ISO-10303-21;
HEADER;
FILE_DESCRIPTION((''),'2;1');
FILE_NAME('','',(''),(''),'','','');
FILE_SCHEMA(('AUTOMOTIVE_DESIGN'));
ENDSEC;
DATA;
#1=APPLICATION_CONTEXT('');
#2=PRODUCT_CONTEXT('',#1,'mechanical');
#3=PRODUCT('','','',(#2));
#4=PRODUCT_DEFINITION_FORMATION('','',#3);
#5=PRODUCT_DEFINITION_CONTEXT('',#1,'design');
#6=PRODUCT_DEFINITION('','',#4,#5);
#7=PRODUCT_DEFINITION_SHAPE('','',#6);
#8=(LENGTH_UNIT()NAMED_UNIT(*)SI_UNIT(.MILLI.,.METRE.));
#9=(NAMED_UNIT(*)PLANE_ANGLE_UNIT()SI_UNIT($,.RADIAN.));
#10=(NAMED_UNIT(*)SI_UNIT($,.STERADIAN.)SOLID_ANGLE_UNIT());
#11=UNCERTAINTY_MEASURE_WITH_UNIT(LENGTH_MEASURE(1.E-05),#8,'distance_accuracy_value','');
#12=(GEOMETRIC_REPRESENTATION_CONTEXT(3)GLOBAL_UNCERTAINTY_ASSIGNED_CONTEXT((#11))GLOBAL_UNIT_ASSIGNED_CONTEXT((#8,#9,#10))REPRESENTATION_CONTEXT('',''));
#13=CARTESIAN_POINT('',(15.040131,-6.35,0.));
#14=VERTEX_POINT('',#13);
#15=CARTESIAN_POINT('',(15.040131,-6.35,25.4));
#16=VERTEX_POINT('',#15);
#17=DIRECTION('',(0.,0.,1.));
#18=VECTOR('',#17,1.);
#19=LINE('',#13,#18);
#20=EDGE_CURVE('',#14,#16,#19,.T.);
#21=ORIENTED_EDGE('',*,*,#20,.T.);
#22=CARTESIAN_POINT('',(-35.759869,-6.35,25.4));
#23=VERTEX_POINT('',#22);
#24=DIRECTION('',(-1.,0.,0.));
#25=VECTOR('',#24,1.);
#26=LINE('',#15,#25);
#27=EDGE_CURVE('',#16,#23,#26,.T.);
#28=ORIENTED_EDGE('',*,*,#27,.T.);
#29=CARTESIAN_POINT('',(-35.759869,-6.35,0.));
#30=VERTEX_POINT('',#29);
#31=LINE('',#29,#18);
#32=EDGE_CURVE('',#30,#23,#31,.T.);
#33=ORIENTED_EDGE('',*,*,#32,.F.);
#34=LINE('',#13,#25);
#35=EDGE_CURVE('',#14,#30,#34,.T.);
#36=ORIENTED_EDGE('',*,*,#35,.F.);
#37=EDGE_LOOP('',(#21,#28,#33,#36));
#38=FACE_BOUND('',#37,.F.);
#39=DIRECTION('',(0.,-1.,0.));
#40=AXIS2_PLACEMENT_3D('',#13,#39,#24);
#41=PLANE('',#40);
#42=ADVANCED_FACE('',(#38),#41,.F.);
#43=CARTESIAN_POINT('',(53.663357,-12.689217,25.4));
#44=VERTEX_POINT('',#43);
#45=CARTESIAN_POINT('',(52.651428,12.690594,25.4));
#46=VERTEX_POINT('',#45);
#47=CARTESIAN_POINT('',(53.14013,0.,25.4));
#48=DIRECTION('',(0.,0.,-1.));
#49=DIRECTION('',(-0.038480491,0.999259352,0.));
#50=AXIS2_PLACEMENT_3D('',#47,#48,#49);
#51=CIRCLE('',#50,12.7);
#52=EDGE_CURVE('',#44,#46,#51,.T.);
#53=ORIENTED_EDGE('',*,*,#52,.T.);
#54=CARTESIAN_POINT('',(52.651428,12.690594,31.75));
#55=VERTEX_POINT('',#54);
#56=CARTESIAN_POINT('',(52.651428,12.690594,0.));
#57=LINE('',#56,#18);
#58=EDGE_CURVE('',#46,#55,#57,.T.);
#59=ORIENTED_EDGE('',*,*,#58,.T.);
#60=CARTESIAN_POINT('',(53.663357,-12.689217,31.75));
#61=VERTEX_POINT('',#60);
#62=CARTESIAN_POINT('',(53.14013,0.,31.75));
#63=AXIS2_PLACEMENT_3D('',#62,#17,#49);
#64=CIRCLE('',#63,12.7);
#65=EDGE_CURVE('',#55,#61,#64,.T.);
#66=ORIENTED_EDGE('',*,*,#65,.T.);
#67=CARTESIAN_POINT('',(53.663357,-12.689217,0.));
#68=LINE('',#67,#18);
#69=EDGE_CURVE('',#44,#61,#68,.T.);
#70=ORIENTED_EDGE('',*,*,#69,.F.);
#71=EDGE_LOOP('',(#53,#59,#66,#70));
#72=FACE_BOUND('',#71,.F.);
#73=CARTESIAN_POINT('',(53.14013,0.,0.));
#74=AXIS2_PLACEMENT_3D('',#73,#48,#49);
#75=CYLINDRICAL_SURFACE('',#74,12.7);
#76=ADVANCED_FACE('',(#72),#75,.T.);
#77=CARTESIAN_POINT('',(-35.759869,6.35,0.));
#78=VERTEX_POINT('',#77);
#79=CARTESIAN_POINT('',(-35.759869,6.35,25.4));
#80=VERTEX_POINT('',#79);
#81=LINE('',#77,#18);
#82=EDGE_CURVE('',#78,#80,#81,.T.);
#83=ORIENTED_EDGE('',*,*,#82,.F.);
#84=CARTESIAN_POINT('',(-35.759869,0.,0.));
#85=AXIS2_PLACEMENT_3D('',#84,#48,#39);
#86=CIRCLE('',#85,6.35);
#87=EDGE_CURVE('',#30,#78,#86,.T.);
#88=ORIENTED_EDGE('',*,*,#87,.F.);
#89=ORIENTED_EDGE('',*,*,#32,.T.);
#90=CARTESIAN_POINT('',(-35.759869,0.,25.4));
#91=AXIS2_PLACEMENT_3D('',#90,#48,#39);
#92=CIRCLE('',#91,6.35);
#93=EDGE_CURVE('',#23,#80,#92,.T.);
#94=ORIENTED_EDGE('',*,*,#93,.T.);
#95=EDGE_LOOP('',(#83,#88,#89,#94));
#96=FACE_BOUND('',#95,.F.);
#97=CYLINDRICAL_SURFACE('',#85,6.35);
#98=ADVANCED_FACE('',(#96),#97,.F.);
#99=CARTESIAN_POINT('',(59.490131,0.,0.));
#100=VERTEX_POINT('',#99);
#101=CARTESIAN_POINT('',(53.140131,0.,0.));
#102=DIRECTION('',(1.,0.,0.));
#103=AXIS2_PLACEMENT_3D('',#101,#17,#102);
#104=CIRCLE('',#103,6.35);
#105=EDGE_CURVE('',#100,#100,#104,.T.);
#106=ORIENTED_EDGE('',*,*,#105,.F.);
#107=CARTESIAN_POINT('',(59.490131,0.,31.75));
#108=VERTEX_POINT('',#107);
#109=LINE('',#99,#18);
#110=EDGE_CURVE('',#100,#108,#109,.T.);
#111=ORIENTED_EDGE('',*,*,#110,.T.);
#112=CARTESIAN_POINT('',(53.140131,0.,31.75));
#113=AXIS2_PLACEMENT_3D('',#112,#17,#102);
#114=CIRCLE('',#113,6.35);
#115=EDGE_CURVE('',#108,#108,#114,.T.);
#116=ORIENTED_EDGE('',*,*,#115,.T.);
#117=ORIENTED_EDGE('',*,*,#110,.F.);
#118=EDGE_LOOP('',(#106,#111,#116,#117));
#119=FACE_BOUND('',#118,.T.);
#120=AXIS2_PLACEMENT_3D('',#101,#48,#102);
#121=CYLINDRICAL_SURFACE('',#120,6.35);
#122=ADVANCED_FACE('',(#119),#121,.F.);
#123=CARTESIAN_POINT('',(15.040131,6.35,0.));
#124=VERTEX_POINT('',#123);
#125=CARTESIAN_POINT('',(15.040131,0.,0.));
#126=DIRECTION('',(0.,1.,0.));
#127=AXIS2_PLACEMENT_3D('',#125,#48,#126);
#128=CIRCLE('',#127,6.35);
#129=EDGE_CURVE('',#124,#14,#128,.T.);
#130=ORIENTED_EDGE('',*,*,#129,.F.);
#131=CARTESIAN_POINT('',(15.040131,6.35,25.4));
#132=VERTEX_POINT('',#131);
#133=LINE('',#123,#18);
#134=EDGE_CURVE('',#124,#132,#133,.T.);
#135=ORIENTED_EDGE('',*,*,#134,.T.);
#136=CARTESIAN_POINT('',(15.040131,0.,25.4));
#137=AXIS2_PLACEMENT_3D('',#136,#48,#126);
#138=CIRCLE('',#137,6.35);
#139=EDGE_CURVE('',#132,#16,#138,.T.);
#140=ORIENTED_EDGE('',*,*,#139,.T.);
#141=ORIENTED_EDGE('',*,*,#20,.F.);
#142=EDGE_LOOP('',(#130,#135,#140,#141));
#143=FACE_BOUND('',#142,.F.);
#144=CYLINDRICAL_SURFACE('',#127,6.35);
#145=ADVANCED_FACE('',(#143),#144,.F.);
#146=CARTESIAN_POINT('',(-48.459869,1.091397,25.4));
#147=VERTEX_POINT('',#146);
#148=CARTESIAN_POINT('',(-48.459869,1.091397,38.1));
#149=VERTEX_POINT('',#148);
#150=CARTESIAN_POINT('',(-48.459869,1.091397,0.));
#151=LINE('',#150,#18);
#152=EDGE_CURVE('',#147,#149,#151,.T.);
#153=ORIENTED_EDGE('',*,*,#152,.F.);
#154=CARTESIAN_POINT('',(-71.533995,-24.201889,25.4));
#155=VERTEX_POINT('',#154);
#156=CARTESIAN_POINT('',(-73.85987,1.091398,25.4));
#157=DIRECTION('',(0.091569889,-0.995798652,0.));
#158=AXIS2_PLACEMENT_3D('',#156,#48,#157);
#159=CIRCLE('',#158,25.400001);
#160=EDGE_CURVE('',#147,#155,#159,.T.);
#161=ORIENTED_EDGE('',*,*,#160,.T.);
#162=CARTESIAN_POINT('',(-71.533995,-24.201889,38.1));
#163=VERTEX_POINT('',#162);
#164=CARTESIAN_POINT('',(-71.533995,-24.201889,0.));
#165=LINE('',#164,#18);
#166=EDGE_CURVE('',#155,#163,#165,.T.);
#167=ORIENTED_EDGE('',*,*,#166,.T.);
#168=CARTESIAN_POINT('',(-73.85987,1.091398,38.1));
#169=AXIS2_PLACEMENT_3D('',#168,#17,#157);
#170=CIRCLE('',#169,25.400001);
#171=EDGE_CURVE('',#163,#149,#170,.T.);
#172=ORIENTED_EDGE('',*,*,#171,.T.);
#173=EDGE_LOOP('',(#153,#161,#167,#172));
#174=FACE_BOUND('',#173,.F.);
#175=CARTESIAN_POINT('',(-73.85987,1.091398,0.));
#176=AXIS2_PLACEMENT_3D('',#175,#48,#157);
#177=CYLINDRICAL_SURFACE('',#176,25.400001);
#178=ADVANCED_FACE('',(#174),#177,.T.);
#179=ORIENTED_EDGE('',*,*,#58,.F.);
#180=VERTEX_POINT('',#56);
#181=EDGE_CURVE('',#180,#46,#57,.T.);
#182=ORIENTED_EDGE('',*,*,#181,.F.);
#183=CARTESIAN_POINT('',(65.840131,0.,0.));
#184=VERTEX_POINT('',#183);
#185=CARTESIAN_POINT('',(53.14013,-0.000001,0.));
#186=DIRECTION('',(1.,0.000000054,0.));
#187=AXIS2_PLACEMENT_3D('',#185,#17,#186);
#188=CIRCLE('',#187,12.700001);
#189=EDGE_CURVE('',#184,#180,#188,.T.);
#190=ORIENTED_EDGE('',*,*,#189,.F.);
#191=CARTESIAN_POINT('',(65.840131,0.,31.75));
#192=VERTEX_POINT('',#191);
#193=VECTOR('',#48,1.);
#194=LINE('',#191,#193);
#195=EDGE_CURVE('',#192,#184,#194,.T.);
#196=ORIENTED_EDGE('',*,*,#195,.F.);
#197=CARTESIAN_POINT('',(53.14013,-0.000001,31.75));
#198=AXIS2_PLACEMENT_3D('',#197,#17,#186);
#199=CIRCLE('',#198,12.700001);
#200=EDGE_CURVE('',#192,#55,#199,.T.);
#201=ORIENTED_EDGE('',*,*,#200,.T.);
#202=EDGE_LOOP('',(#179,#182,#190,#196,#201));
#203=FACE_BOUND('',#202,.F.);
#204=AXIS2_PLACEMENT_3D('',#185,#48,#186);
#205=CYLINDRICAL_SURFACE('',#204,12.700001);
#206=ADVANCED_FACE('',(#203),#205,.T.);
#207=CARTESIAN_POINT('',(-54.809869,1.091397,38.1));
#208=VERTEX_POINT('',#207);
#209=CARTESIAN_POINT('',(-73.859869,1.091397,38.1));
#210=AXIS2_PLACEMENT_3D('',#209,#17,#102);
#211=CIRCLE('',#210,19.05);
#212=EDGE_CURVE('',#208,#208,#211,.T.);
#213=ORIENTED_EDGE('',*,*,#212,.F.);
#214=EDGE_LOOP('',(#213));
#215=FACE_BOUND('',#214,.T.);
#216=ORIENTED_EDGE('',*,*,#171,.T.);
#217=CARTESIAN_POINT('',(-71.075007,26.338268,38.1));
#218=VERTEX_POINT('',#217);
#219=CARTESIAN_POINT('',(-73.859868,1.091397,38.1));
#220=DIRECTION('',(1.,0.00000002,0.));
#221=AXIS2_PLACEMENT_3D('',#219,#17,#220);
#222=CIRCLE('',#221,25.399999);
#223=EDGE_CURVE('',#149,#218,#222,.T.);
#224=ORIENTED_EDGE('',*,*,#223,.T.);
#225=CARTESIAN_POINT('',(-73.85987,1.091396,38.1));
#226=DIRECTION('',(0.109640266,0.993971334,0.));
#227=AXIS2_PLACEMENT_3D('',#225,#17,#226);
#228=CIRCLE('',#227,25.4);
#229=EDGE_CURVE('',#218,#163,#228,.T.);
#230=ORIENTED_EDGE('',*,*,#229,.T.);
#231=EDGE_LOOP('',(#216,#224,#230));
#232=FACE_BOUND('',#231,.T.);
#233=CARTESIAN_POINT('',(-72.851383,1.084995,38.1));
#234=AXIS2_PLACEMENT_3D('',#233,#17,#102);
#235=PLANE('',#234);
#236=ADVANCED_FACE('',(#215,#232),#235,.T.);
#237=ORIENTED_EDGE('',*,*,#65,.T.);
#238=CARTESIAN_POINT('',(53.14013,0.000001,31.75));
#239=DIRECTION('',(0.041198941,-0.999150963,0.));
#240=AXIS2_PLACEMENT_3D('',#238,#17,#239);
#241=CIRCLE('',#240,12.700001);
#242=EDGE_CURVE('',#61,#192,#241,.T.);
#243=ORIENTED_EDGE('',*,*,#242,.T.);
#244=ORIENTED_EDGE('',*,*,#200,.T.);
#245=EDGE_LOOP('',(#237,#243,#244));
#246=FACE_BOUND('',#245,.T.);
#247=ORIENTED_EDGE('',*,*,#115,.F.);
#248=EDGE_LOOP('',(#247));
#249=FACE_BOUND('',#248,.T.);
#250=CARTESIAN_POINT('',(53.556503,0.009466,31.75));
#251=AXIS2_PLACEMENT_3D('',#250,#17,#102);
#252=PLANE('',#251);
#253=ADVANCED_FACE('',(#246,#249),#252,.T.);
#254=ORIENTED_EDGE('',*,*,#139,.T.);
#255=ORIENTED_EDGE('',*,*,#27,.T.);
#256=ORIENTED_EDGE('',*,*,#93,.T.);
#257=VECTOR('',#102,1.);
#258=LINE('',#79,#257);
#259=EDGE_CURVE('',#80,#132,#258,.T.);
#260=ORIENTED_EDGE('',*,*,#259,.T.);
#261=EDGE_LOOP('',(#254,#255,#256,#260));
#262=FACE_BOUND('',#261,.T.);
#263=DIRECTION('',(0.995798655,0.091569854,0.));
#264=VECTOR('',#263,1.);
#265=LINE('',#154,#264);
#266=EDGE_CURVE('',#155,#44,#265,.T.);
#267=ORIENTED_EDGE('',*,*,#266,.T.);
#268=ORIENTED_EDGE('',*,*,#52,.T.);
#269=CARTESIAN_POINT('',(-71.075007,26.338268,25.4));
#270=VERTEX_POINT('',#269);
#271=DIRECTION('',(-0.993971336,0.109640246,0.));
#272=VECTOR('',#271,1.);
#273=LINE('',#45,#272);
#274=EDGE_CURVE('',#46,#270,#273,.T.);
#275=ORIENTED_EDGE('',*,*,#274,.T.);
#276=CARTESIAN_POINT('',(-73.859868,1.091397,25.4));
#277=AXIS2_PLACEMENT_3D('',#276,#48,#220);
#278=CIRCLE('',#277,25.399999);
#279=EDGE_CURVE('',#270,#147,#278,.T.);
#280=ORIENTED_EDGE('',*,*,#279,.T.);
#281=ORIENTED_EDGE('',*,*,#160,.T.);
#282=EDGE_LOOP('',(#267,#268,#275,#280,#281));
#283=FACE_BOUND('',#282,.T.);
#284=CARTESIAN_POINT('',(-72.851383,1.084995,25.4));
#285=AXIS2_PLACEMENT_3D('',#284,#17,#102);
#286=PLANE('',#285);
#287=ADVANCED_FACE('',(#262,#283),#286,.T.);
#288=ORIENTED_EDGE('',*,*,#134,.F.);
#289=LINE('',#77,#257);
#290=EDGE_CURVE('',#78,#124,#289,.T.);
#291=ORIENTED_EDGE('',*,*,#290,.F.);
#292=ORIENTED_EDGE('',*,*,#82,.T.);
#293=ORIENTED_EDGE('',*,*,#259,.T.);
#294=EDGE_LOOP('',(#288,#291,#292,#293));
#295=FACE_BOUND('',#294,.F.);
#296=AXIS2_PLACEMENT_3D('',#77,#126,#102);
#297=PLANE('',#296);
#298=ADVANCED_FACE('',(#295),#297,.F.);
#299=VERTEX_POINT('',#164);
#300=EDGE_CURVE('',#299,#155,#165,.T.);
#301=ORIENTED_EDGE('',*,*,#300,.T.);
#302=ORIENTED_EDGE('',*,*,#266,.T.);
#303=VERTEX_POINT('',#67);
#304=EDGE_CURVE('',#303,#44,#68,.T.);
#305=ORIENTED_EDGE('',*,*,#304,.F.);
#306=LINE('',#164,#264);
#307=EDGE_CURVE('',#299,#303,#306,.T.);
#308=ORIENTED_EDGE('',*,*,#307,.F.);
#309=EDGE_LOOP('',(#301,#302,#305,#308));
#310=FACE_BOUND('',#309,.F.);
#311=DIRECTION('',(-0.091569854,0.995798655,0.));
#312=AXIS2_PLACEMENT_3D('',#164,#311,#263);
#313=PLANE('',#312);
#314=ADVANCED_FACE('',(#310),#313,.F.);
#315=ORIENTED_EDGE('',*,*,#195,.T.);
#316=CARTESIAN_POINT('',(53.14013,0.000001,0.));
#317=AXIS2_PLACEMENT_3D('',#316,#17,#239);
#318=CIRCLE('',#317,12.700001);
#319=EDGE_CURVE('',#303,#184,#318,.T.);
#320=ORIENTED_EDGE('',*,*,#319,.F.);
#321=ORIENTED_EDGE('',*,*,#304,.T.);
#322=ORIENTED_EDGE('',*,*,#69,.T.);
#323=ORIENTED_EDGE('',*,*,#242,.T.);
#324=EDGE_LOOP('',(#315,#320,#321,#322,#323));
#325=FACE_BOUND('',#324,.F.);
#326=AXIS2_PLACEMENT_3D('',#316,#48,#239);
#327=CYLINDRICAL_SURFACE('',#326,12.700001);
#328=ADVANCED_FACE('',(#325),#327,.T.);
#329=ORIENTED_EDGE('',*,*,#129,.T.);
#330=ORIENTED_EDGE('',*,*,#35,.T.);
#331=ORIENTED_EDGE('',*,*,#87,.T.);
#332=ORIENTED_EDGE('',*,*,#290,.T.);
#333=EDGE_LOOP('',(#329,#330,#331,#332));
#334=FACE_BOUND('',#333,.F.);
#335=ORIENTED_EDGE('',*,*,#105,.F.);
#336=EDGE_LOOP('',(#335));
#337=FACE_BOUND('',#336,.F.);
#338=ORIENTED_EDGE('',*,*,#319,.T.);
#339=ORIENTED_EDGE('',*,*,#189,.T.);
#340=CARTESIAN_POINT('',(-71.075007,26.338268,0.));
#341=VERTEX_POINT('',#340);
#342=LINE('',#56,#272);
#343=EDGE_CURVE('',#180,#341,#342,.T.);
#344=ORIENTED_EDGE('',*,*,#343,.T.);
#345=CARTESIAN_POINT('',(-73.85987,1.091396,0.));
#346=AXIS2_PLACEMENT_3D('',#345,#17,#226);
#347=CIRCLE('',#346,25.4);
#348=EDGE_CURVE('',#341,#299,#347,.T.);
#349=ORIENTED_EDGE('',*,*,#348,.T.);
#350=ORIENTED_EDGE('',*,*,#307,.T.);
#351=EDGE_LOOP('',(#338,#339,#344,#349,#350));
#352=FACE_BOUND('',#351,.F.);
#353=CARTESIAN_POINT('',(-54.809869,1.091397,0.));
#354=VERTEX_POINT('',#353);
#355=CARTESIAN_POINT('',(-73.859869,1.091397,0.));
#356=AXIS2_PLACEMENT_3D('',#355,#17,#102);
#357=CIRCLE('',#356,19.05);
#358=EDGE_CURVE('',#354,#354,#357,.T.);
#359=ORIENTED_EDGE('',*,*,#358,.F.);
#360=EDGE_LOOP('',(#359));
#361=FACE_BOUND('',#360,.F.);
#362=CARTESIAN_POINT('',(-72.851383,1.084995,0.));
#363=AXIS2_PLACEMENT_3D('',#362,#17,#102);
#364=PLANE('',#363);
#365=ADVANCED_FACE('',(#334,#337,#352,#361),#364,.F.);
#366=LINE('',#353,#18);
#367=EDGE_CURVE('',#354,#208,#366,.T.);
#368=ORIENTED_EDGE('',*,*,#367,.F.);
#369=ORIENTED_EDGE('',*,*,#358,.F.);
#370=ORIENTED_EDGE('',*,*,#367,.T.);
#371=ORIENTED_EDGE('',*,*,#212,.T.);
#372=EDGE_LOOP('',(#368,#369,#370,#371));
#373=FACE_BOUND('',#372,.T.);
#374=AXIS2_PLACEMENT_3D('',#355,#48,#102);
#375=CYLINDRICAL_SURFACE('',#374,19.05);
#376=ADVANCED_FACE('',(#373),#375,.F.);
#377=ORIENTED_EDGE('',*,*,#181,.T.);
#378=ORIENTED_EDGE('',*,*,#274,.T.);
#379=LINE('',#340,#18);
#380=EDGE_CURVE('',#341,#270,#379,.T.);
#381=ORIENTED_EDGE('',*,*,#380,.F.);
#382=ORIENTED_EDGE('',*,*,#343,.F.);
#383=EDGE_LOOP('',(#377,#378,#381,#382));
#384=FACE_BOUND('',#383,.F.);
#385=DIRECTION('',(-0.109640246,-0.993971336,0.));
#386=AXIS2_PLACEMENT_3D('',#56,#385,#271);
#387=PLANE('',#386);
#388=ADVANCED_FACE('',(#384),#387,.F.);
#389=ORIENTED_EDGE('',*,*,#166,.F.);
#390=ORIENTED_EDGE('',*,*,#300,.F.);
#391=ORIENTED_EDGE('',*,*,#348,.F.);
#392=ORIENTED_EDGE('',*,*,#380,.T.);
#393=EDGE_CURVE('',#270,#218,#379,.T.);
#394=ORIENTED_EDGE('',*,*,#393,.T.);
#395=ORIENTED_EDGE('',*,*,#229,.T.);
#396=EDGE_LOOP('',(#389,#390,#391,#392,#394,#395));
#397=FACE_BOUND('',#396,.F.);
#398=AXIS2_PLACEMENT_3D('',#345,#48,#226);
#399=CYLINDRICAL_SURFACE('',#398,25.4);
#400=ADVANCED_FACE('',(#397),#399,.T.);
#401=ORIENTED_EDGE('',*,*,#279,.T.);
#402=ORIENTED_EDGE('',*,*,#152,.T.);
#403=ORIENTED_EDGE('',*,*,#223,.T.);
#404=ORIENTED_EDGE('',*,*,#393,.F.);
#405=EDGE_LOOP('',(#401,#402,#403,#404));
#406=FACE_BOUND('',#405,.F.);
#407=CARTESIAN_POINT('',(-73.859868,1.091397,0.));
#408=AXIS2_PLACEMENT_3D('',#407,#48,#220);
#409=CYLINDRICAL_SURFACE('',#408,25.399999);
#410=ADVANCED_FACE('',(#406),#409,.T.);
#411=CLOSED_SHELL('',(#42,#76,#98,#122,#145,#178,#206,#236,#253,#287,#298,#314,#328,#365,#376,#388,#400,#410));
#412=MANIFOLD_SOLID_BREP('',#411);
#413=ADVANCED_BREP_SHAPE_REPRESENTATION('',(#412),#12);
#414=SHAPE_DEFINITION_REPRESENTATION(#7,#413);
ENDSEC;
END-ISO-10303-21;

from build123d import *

# Parameters (mm, degrees)
F0_R     = 19.05
F0_R_2   = 6.35
F1_DEPTH = 25.4
F2_DEPTH = 38.1
F3_DEPTH = 31.75


with BuildPart() as f1:
    # F0 (on Top) → F1 (new body)
    with BuildSketch(Plane.XY):
        with BuildLine():
            ThreePointArc((-71.533995, -24.201889), (-55.095046, -16.027055), (-48.459869, 1.091397))
            ThreePointArc((-48.459869, 1.091397), (-54.940362, 18.038734), (-71.075007, 26.338268))
            ThreePointArc((-71.075007, 26.338268), (-99.258822, 1.322061), (-71.533995, -24.201889))
        make_face()
        with Locations((-73.859869, 1.091397)):
            Circle(F0_R, mode=Mode.SUBTRACT)
        with BuildLine():
            ThreePointArc((65.840131, 0), (61.945909, 9.151408), (52.651428, 12.690594))
            ThreePointArc((52.651428, 12.690594), (40.450213, -0.505965), (53.663357, -12.689217))
            ThreePointArc((53.663357, -12.689217), (62.303508, -8.793322), (65.840131, 0))
        make_face()
        with Locations((53.140131, 0)):
            Circle(F0_R_2, mode=Mode.SUBTRACT)
        with BuildLine():
            ThreePointArc((-71.075007, 26.338268), (-54.940362, 18.038734), (-48.459869, 1.091397))
            ThreePointArc((-48.459869, 1.091397), (-55.095046, -16.027055), (-71.533995, -24.201889))
            Line((-71.533995, -24.201889), (53.663357, -12.689217))
            ThreePointArc((53.663357, -12.689217), (40.450213, -0.505965), (52.651428, 12.690594))
            Line((52.651428, 12.690594), (-71.075007, 26.338268))
        make_face()
        with BuildLine():
            ThreePointArc((15.040131, 6.35), (21.390131, 0), (15.040131, -6.35))
            Line((15.040131, -6.35), (-35.759869, -6.35))
            ThreePointArc((-35.759869, -6.35), (-42.109869, 0), (-35.759869, 6.35))
            Line((-35.759869, 6.35), (15.040131, 6.35))
        make_face(mode=Mode.SUBTRACT)
    extrude(amount=F1_DEPTH)

    # F0 (on Top) → F2 (join)
    with BuildSketch(Plane.XY):
        with BuildLine():
            ThreePointArc((-71.533995, -24.201889), (-55.095046, -16.027055), (-48.459869, 1.091397))
            ThreePointArc((-48.459869, 1.091397), (-54.940362, 18.038734), (-71.075007, 26.338268))
            ThreePointArc((-71.075007, 26.338268), (-99.258822, 1.322061), (-71.533995, -24.201889))
        make_face()
        with Locations((-73.859869, 1.091397)):
            Circle(F0_R, mode=Mode.SUBTRACT)
    extrude(amount=F2_DEPTH)

    # F0 (on Top) → F3 (join)
    with BuildSketch(Plane.XY):
        with BuildLine():
            ThreePointArc((65.840131, 0), (61.945909, 9.151408), (52.651428, 12.690594))
            ThreePointArc((52.651428, 12.690594), (40.450213, -0.505965), (53.663357, -12.689217))
            ThreePointArc((53.663357, -12.689217), (62.303508, -8.793322), (65.840131, 0))
        make_face()
        with Locations((53.140131, 0)):
            Circle(F0_R_2, mode=Mode.SUBTRACT)
    extrude(amount=F3_DEPTH)


solid = f1.part
